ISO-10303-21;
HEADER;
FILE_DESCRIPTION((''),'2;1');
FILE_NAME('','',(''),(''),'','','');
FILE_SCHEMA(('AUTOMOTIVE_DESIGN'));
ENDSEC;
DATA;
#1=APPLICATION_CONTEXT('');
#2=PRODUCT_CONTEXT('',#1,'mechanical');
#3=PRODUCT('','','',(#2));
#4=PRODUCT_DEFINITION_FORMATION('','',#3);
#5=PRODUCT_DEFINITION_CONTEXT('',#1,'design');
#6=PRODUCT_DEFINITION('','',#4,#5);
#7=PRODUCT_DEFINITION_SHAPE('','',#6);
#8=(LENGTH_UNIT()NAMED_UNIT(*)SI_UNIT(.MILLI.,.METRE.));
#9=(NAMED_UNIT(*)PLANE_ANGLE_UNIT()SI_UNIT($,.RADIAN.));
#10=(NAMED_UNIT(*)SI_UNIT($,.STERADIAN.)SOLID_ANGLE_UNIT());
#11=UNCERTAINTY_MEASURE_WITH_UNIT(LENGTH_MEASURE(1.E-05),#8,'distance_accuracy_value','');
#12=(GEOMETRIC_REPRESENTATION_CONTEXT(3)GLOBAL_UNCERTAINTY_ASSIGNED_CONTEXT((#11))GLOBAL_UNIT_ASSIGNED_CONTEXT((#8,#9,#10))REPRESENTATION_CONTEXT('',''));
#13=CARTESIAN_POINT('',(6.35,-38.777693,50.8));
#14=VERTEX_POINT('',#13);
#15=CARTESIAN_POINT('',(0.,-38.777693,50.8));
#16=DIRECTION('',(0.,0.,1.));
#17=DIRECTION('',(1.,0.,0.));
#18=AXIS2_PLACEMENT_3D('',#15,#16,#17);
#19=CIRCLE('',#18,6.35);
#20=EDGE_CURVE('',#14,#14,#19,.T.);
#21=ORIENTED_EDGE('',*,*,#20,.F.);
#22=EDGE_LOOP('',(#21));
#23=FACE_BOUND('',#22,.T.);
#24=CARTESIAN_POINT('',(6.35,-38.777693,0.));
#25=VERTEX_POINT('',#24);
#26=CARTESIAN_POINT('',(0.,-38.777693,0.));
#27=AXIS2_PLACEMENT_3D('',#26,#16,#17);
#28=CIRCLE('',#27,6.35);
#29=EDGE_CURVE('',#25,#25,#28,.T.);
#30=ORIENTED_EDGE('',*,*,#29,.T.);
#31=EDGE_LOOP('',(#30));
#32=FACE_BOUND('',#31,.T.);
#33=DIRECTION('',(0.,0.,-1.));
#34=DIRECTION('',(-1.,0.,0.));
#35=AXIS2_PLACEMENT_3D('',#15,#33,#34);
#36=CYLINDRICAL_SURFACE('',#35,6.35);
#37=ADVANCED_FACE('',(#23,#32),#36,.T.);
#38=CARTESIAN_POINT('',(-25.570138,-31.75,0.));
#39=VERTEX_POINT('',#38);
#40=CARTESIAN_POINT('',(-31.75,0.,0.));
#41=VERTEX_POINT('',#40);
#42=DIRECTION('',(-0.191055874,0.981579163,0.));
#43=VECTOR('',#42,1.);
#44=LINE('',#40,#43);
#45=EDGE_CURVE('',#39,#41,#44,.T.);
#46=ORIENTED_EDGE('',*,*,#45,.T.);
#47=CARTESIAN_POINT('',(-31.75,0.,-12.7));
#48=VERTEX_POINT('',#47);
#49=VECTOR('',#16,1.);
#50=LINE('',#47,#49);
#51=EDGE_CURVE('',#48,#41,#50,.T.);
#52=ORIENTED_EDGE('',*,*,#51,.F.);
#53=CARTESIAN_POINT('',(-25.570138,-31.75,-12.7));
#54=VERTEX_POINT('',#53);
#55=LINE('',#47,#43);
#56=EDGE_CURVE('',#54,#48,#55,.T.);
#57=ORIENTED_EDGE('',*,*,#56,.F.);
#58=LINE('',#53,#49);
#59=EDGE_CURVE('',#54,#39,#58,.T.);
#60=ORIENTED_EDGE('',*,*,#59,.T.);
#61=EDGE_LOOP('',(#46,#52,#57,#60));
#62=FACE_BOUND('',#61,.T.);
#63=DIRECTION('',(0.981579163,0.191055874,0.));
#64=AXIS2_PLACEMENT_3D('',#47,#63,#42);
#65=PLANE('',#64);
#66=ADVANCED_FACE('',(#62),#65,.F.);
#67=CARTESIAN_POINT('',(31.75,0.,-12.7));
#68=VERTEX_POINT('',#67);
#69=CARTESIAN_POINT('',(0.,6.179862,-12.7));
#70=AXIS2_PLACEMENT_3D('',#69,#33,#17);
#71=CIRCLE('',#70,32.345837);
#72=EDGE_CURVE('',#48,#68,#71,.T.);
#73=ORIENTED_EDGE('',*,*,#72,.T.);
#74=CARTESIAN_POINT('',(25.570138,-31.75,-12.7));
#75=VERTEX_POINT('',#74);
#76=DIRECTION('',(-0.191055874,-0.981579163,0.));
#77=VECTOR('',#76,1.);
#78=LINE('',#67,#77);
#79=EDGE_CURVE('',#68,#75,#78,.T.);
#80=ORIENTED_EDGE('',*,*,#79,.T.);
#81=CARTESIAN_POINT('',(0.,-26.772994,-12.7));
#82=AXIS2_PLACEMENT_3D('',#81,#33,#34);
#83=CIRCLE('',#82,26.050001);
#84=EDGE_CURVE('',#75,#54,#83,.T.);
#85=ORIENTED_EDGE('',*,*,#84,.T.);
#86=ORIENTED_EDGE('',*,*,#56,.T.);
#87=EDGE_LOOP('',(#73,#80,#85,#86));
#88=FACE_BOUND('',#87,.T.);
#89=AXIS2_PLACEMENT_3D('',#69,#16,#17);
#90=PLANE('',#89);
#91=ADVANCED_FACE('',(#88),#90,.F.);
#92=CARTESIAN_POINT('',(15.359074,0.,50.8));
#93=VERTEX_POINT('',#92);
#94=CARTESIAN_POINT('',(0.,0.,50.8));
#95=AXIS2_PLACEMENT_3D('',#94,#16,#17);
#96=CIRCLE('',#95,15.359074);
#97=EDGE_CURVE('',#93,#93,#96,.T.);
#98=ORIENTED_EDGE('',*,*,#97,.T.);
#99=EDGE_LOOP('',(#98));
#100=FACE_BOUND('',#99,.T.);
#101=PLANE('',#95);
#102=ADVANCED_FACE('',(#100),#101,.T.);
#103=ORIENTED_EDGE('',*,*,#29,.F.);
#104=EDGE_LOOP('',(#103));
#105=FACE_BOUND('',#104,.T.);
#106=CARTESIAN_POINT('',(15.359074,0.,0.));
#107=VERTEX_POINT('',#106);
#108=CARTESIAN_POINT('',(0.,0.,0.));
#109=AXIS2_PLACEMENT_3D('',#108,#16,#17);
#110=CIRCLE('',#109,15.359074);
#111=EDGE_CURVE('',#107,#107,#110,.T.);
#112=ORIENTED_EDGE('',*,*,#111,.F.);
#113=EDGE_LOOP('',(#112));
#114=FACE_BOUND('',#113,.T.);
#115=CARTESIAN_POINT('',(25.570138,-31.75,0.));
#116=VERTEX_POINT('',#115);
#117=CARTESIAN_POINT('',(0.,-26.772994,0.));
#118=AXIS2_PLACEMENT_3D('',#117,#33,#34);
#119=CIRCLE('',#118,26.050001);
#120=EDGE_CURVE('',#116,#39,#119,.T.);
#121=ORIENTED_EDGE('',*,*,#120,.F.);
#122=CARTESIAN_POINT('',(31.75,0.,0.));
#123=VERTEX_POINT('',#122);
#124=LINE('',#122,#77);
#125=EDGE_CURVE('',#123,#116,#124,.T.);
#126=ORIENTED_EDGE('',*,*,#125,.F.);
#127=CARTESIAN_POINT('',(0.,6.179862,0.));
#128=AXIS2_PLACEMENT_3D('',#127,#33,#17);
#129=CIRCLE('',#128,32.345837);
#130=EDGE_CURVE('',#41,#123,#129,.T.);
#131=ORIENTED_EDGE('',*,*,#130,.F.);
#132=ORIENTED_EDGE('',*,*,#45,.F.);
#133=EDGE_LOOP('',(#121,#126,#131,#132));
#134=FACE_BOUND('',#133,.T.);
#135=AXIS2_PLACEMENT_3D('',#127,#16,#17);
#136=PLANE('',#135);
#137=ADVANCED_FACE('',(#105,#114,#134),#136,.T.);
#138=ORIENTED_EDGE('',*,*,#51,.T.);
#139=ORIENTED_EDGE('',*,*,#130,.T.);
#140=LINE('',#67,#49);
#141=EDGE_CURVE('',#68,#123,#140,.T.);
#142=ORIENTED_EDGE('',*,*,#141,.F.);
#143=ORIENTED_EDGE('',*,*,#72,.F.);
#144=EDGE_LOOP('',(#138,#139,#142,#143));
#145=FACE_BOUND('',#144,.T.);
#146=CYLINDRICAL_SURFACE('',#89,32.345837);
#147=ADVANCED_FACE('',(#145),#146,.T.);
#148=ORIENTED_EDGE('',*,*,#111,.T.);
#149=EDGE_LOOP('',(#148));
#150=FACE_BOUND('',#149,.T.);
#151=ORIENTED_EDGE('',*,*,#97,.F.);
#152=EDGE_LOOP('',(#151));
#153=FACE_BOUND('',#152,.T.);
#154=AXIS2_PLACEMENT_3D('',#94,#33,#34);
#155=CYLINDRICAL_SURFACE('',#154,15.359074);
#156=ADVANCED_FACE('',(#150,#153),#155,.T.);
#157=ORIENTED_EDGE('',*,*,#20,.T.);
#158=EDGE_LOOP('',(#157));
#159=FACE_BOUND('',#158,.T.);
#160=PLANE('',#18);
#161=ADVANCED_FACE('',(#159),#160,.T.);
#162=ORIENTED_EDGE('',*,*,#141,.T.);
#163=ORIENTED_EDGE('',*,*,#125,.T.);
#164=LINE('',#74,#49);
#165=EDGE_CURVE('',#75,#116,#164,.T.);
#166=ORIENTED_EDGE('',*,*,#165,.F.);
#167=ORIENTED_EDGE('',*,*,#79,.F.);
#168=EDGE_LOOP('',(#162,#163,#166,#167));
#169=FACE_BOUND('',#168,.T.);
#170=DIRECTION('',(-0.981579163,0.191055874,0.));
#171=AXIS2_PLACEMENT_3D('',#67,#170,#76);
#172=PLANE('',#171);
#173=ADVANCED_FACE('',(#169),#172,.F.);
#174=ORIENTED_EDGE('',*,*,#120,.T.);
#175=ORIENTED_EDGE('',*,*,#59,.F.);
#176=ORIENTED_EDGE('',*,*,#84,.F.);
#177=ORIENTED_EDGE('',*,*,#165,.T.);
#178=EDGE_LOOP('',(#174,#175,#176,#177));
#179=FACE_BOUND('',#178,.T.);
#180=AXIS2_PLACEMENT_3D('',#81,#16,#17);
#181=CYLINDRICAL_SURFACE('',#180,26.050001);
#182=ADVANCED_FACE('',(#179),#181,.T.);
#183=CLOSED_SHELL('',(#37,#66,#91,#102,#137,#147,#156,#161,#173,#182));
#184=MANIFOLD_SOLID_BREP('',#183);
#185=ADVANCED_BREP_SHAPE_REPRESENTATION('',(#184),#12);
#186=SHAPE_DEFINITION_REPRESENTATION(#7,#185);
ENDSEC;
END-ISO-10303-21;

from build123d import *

# Parameters (mm, degrees)
SKETCH1_R           = 15.359074057
BOSS_EXTRUDE1_DEPTH = 50.8
BOSS_EXTRUDE2_DEPTH = 12.7
SKETCH3_R           = 6.35
BOSS_EXTRUDE3_DEPTH = 50.8


with BuildPart() as part:
    # Sketch1 → Boss-Extrude1 (new body)
    with BuildSketch(Plane.XY):
        Circle(SKETCH1_R)
    extrude(amount=BOSS_EXTRUDE1_DEPTH)

    # Sketch2 → Boss-Extrude2 (add)
    with BuildSketch(Plane(origin=(0, 0, 0), x_dir=(-1, 0, 0), z_dir=(0, 0, -1))):
        with BuildLine():
            Line((-31.75, 0), (-25.57013776, -31.75))
            ThreePointArc((-25.57013776, -31.75), (0, -52.822994947), (25.57013776, -31.75))
            Line((25.57013776, -31.75), (31.75, 0))
            ThreePointArc((31.75, 0), (0, 38.525699643), (-31.75, 0))
        make_face()
    extrude(amount=BOSS_EXTRUDE2_DEPTH)

    # Sketch3 → Boss-Extrude3 (add)
    with BuildSketch(Plane.XY):
        with Locations((0, -38.777693264)):
            Circle(SKETCH3_R)
    extrude(amount=BOSS_EXTRUDE3_DEPTH)


solid = part.part
